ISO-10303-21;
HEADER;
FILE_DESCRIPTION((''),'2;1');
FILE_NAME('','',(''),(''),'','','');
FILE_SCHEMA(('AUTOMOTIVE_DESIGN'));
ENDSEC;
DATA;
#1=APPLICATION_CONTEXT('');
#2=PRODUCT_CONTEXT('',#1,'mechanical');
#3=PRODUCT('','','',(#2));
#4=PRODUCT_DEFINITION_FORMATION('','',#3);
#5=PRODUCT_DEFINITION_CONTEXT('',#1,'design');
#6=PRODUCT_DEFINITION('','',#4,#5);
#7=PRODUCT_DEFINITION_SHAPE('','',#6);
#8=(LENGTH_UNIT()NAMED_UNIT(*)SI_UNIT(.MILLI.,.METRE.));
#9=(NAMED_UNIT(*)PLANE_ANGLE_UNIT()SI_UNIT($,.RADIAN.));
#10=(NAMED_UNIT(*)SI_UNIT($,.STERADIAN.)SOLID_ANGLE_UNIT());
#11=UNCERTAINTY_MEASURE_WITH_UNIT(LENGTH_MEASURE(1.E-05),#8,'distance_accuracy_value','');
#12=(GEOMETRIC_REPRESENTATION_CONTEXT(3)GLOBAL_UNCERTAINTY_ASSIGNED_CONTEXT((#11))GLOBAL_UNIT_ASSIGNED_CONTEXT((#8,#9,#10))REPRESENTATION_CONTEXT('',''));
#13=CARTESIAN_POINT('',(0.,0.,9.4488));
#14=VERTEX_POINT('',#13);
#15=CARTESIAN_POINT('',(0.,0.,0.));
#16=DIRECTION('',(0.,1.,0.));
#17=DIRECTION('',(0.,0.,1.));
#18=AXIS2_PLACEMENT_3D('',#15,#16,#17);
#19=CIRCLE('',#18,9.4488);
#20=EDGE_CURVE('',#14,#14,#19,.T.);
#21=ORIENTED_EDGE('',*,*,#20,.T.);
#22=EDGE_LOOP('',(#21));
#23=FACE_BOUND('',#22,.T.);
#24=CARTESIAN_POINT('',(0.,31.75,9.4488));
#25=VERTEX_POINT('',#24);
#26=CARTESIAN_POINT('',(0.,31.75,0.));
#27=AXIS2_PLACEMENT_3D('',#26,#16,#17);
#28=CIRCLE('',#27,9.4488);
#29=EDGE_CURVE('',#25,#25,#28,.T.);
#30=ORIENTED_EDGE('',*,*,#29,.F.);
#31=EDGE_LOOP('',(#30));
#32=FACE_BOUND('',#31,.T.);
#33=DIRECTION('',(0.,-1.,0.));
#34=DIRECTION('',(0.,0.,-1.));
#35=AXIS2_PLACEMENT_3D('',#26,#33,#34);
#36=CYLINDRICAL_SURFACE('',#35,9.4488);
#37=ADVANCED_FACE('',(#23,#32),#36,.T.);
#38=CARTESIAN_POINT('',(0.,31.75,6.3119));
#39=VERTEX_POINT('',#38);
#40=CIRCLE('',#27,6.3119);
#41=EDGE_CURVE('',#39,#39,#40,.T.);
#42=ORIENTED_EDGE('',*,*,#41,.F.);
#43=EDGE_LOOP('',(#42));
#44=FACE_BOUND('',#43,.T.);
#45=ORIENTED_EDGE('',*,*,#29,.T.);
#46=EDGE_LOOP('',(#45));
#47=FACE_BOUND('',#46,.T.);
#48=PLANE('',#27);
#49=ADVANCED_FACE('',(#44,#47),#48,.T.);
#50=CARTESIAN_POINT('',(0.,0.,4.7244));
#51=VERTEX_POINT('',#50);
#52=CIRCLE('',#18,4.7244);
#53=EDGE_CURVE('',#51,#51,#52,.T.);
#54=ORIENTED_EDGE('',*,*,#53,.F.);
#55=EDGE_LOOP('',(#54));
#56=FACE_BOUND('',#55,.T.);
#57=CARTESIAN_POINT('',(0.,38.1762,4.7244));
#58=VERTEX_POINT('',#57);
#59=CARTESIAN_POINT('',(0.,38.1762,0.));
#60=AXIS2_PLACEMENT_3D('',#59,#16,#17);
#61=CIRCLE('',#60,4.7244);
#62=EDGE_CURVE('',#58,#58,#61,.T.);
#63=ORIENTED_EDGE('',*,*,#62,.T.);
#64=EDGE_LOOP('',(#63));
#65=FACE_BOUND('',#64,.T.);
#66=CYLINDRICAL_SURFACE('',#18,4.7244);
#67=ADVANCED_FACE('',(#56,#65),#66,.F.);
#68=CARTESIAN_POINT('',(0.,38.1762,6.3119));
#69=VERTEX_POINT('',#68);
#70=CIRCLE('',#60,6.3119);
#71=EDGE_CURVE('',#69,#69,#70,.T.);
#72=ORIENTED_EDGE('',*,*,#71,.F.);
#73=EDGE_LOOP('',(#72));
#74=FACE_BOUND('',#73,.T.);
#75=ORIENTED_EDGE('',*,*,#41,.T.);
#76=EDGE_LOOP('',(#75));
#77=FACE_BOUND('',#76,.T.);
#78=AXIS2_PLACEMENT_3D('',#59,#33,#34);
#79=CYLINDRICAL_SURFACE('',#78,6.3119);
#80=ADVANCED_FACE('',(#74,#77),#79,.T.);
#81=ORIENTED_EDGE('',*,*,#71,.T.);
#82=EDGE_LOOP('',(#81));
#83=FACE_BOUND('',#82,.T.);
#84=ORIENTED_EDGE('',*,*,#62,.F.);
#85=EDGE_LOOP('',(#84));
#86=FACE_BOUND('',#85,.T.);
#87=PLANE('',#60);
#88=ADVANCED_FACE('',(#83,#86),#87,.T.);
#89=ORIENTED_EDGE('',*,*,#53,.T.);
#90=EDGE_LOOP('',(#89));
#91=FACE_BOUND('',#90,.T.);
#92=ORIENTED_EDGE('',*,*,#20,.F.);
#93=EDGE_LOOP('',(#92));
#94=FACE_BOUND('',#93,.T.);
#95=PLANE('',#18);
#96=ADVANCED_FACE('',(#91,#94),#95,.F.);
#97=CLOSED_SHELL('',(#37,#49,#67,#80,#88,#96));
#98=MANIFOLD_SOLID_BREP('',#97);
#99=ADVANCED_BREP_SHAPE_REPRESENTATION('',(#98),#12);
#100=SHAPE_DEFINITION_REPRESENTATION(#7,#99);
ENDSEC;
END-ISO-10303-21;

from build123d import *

# Parameters (mm, degrees)
SKETCH1_R           = 9.4488
BOSS_EXTRUDE1_DEPTH = 31.75
SKETCH2_R           = 6.3119
BOSS_EXTRUDE2_DEPTH = 6.4262
SKETCH3_R           = 4.7244
CUT_EXTRUDE1_DEPTH  = 41.447272953


with BuildPart() as part:
    # Sketch1 → Boss-Extrude1 (new body)
    with BuildSketch(Plane(origin=(0, 0, 0), x_dir=(1, 0, 0), z_dir=(0, 1, 0))):
        with Locations(Location((0, 0, 0), (0, 0, 270))):
            Circle(SKETCH1_R)
    extrude(amount=BOSS_EXTRUDE1_DEPTH)

    # Sketch2 → Boss-Extrude2 (add)
    with BuildSketch(Plane(origin=(0, 31.75, 0), x_dir=(1, 0, 0), z_dir=(0, 1, 0))):
        with Locations(Location((0, 0, 0), (0, 0, 270))):
            Circle(SKETCH2_R)
    extrude(amount=BOSS_EXTRUDE2_DEPTH)

    # Sketch3 → Cut-Extrude1 (cut, through all)
    with BuildSketch(Plane(origin=(0, 38.1762, 0), x_dir=(1, 0, 0), z_dir=(0, 1, 0))):
        with Locations(Location((0, 0, 0), (0, 0, 270))):
            Circle(SKETCH3_R)
    extrude(amount=-CUT_EXTRUDE1_DEPTH, mode=Mode.SUBTRACT)


solid = part.part
